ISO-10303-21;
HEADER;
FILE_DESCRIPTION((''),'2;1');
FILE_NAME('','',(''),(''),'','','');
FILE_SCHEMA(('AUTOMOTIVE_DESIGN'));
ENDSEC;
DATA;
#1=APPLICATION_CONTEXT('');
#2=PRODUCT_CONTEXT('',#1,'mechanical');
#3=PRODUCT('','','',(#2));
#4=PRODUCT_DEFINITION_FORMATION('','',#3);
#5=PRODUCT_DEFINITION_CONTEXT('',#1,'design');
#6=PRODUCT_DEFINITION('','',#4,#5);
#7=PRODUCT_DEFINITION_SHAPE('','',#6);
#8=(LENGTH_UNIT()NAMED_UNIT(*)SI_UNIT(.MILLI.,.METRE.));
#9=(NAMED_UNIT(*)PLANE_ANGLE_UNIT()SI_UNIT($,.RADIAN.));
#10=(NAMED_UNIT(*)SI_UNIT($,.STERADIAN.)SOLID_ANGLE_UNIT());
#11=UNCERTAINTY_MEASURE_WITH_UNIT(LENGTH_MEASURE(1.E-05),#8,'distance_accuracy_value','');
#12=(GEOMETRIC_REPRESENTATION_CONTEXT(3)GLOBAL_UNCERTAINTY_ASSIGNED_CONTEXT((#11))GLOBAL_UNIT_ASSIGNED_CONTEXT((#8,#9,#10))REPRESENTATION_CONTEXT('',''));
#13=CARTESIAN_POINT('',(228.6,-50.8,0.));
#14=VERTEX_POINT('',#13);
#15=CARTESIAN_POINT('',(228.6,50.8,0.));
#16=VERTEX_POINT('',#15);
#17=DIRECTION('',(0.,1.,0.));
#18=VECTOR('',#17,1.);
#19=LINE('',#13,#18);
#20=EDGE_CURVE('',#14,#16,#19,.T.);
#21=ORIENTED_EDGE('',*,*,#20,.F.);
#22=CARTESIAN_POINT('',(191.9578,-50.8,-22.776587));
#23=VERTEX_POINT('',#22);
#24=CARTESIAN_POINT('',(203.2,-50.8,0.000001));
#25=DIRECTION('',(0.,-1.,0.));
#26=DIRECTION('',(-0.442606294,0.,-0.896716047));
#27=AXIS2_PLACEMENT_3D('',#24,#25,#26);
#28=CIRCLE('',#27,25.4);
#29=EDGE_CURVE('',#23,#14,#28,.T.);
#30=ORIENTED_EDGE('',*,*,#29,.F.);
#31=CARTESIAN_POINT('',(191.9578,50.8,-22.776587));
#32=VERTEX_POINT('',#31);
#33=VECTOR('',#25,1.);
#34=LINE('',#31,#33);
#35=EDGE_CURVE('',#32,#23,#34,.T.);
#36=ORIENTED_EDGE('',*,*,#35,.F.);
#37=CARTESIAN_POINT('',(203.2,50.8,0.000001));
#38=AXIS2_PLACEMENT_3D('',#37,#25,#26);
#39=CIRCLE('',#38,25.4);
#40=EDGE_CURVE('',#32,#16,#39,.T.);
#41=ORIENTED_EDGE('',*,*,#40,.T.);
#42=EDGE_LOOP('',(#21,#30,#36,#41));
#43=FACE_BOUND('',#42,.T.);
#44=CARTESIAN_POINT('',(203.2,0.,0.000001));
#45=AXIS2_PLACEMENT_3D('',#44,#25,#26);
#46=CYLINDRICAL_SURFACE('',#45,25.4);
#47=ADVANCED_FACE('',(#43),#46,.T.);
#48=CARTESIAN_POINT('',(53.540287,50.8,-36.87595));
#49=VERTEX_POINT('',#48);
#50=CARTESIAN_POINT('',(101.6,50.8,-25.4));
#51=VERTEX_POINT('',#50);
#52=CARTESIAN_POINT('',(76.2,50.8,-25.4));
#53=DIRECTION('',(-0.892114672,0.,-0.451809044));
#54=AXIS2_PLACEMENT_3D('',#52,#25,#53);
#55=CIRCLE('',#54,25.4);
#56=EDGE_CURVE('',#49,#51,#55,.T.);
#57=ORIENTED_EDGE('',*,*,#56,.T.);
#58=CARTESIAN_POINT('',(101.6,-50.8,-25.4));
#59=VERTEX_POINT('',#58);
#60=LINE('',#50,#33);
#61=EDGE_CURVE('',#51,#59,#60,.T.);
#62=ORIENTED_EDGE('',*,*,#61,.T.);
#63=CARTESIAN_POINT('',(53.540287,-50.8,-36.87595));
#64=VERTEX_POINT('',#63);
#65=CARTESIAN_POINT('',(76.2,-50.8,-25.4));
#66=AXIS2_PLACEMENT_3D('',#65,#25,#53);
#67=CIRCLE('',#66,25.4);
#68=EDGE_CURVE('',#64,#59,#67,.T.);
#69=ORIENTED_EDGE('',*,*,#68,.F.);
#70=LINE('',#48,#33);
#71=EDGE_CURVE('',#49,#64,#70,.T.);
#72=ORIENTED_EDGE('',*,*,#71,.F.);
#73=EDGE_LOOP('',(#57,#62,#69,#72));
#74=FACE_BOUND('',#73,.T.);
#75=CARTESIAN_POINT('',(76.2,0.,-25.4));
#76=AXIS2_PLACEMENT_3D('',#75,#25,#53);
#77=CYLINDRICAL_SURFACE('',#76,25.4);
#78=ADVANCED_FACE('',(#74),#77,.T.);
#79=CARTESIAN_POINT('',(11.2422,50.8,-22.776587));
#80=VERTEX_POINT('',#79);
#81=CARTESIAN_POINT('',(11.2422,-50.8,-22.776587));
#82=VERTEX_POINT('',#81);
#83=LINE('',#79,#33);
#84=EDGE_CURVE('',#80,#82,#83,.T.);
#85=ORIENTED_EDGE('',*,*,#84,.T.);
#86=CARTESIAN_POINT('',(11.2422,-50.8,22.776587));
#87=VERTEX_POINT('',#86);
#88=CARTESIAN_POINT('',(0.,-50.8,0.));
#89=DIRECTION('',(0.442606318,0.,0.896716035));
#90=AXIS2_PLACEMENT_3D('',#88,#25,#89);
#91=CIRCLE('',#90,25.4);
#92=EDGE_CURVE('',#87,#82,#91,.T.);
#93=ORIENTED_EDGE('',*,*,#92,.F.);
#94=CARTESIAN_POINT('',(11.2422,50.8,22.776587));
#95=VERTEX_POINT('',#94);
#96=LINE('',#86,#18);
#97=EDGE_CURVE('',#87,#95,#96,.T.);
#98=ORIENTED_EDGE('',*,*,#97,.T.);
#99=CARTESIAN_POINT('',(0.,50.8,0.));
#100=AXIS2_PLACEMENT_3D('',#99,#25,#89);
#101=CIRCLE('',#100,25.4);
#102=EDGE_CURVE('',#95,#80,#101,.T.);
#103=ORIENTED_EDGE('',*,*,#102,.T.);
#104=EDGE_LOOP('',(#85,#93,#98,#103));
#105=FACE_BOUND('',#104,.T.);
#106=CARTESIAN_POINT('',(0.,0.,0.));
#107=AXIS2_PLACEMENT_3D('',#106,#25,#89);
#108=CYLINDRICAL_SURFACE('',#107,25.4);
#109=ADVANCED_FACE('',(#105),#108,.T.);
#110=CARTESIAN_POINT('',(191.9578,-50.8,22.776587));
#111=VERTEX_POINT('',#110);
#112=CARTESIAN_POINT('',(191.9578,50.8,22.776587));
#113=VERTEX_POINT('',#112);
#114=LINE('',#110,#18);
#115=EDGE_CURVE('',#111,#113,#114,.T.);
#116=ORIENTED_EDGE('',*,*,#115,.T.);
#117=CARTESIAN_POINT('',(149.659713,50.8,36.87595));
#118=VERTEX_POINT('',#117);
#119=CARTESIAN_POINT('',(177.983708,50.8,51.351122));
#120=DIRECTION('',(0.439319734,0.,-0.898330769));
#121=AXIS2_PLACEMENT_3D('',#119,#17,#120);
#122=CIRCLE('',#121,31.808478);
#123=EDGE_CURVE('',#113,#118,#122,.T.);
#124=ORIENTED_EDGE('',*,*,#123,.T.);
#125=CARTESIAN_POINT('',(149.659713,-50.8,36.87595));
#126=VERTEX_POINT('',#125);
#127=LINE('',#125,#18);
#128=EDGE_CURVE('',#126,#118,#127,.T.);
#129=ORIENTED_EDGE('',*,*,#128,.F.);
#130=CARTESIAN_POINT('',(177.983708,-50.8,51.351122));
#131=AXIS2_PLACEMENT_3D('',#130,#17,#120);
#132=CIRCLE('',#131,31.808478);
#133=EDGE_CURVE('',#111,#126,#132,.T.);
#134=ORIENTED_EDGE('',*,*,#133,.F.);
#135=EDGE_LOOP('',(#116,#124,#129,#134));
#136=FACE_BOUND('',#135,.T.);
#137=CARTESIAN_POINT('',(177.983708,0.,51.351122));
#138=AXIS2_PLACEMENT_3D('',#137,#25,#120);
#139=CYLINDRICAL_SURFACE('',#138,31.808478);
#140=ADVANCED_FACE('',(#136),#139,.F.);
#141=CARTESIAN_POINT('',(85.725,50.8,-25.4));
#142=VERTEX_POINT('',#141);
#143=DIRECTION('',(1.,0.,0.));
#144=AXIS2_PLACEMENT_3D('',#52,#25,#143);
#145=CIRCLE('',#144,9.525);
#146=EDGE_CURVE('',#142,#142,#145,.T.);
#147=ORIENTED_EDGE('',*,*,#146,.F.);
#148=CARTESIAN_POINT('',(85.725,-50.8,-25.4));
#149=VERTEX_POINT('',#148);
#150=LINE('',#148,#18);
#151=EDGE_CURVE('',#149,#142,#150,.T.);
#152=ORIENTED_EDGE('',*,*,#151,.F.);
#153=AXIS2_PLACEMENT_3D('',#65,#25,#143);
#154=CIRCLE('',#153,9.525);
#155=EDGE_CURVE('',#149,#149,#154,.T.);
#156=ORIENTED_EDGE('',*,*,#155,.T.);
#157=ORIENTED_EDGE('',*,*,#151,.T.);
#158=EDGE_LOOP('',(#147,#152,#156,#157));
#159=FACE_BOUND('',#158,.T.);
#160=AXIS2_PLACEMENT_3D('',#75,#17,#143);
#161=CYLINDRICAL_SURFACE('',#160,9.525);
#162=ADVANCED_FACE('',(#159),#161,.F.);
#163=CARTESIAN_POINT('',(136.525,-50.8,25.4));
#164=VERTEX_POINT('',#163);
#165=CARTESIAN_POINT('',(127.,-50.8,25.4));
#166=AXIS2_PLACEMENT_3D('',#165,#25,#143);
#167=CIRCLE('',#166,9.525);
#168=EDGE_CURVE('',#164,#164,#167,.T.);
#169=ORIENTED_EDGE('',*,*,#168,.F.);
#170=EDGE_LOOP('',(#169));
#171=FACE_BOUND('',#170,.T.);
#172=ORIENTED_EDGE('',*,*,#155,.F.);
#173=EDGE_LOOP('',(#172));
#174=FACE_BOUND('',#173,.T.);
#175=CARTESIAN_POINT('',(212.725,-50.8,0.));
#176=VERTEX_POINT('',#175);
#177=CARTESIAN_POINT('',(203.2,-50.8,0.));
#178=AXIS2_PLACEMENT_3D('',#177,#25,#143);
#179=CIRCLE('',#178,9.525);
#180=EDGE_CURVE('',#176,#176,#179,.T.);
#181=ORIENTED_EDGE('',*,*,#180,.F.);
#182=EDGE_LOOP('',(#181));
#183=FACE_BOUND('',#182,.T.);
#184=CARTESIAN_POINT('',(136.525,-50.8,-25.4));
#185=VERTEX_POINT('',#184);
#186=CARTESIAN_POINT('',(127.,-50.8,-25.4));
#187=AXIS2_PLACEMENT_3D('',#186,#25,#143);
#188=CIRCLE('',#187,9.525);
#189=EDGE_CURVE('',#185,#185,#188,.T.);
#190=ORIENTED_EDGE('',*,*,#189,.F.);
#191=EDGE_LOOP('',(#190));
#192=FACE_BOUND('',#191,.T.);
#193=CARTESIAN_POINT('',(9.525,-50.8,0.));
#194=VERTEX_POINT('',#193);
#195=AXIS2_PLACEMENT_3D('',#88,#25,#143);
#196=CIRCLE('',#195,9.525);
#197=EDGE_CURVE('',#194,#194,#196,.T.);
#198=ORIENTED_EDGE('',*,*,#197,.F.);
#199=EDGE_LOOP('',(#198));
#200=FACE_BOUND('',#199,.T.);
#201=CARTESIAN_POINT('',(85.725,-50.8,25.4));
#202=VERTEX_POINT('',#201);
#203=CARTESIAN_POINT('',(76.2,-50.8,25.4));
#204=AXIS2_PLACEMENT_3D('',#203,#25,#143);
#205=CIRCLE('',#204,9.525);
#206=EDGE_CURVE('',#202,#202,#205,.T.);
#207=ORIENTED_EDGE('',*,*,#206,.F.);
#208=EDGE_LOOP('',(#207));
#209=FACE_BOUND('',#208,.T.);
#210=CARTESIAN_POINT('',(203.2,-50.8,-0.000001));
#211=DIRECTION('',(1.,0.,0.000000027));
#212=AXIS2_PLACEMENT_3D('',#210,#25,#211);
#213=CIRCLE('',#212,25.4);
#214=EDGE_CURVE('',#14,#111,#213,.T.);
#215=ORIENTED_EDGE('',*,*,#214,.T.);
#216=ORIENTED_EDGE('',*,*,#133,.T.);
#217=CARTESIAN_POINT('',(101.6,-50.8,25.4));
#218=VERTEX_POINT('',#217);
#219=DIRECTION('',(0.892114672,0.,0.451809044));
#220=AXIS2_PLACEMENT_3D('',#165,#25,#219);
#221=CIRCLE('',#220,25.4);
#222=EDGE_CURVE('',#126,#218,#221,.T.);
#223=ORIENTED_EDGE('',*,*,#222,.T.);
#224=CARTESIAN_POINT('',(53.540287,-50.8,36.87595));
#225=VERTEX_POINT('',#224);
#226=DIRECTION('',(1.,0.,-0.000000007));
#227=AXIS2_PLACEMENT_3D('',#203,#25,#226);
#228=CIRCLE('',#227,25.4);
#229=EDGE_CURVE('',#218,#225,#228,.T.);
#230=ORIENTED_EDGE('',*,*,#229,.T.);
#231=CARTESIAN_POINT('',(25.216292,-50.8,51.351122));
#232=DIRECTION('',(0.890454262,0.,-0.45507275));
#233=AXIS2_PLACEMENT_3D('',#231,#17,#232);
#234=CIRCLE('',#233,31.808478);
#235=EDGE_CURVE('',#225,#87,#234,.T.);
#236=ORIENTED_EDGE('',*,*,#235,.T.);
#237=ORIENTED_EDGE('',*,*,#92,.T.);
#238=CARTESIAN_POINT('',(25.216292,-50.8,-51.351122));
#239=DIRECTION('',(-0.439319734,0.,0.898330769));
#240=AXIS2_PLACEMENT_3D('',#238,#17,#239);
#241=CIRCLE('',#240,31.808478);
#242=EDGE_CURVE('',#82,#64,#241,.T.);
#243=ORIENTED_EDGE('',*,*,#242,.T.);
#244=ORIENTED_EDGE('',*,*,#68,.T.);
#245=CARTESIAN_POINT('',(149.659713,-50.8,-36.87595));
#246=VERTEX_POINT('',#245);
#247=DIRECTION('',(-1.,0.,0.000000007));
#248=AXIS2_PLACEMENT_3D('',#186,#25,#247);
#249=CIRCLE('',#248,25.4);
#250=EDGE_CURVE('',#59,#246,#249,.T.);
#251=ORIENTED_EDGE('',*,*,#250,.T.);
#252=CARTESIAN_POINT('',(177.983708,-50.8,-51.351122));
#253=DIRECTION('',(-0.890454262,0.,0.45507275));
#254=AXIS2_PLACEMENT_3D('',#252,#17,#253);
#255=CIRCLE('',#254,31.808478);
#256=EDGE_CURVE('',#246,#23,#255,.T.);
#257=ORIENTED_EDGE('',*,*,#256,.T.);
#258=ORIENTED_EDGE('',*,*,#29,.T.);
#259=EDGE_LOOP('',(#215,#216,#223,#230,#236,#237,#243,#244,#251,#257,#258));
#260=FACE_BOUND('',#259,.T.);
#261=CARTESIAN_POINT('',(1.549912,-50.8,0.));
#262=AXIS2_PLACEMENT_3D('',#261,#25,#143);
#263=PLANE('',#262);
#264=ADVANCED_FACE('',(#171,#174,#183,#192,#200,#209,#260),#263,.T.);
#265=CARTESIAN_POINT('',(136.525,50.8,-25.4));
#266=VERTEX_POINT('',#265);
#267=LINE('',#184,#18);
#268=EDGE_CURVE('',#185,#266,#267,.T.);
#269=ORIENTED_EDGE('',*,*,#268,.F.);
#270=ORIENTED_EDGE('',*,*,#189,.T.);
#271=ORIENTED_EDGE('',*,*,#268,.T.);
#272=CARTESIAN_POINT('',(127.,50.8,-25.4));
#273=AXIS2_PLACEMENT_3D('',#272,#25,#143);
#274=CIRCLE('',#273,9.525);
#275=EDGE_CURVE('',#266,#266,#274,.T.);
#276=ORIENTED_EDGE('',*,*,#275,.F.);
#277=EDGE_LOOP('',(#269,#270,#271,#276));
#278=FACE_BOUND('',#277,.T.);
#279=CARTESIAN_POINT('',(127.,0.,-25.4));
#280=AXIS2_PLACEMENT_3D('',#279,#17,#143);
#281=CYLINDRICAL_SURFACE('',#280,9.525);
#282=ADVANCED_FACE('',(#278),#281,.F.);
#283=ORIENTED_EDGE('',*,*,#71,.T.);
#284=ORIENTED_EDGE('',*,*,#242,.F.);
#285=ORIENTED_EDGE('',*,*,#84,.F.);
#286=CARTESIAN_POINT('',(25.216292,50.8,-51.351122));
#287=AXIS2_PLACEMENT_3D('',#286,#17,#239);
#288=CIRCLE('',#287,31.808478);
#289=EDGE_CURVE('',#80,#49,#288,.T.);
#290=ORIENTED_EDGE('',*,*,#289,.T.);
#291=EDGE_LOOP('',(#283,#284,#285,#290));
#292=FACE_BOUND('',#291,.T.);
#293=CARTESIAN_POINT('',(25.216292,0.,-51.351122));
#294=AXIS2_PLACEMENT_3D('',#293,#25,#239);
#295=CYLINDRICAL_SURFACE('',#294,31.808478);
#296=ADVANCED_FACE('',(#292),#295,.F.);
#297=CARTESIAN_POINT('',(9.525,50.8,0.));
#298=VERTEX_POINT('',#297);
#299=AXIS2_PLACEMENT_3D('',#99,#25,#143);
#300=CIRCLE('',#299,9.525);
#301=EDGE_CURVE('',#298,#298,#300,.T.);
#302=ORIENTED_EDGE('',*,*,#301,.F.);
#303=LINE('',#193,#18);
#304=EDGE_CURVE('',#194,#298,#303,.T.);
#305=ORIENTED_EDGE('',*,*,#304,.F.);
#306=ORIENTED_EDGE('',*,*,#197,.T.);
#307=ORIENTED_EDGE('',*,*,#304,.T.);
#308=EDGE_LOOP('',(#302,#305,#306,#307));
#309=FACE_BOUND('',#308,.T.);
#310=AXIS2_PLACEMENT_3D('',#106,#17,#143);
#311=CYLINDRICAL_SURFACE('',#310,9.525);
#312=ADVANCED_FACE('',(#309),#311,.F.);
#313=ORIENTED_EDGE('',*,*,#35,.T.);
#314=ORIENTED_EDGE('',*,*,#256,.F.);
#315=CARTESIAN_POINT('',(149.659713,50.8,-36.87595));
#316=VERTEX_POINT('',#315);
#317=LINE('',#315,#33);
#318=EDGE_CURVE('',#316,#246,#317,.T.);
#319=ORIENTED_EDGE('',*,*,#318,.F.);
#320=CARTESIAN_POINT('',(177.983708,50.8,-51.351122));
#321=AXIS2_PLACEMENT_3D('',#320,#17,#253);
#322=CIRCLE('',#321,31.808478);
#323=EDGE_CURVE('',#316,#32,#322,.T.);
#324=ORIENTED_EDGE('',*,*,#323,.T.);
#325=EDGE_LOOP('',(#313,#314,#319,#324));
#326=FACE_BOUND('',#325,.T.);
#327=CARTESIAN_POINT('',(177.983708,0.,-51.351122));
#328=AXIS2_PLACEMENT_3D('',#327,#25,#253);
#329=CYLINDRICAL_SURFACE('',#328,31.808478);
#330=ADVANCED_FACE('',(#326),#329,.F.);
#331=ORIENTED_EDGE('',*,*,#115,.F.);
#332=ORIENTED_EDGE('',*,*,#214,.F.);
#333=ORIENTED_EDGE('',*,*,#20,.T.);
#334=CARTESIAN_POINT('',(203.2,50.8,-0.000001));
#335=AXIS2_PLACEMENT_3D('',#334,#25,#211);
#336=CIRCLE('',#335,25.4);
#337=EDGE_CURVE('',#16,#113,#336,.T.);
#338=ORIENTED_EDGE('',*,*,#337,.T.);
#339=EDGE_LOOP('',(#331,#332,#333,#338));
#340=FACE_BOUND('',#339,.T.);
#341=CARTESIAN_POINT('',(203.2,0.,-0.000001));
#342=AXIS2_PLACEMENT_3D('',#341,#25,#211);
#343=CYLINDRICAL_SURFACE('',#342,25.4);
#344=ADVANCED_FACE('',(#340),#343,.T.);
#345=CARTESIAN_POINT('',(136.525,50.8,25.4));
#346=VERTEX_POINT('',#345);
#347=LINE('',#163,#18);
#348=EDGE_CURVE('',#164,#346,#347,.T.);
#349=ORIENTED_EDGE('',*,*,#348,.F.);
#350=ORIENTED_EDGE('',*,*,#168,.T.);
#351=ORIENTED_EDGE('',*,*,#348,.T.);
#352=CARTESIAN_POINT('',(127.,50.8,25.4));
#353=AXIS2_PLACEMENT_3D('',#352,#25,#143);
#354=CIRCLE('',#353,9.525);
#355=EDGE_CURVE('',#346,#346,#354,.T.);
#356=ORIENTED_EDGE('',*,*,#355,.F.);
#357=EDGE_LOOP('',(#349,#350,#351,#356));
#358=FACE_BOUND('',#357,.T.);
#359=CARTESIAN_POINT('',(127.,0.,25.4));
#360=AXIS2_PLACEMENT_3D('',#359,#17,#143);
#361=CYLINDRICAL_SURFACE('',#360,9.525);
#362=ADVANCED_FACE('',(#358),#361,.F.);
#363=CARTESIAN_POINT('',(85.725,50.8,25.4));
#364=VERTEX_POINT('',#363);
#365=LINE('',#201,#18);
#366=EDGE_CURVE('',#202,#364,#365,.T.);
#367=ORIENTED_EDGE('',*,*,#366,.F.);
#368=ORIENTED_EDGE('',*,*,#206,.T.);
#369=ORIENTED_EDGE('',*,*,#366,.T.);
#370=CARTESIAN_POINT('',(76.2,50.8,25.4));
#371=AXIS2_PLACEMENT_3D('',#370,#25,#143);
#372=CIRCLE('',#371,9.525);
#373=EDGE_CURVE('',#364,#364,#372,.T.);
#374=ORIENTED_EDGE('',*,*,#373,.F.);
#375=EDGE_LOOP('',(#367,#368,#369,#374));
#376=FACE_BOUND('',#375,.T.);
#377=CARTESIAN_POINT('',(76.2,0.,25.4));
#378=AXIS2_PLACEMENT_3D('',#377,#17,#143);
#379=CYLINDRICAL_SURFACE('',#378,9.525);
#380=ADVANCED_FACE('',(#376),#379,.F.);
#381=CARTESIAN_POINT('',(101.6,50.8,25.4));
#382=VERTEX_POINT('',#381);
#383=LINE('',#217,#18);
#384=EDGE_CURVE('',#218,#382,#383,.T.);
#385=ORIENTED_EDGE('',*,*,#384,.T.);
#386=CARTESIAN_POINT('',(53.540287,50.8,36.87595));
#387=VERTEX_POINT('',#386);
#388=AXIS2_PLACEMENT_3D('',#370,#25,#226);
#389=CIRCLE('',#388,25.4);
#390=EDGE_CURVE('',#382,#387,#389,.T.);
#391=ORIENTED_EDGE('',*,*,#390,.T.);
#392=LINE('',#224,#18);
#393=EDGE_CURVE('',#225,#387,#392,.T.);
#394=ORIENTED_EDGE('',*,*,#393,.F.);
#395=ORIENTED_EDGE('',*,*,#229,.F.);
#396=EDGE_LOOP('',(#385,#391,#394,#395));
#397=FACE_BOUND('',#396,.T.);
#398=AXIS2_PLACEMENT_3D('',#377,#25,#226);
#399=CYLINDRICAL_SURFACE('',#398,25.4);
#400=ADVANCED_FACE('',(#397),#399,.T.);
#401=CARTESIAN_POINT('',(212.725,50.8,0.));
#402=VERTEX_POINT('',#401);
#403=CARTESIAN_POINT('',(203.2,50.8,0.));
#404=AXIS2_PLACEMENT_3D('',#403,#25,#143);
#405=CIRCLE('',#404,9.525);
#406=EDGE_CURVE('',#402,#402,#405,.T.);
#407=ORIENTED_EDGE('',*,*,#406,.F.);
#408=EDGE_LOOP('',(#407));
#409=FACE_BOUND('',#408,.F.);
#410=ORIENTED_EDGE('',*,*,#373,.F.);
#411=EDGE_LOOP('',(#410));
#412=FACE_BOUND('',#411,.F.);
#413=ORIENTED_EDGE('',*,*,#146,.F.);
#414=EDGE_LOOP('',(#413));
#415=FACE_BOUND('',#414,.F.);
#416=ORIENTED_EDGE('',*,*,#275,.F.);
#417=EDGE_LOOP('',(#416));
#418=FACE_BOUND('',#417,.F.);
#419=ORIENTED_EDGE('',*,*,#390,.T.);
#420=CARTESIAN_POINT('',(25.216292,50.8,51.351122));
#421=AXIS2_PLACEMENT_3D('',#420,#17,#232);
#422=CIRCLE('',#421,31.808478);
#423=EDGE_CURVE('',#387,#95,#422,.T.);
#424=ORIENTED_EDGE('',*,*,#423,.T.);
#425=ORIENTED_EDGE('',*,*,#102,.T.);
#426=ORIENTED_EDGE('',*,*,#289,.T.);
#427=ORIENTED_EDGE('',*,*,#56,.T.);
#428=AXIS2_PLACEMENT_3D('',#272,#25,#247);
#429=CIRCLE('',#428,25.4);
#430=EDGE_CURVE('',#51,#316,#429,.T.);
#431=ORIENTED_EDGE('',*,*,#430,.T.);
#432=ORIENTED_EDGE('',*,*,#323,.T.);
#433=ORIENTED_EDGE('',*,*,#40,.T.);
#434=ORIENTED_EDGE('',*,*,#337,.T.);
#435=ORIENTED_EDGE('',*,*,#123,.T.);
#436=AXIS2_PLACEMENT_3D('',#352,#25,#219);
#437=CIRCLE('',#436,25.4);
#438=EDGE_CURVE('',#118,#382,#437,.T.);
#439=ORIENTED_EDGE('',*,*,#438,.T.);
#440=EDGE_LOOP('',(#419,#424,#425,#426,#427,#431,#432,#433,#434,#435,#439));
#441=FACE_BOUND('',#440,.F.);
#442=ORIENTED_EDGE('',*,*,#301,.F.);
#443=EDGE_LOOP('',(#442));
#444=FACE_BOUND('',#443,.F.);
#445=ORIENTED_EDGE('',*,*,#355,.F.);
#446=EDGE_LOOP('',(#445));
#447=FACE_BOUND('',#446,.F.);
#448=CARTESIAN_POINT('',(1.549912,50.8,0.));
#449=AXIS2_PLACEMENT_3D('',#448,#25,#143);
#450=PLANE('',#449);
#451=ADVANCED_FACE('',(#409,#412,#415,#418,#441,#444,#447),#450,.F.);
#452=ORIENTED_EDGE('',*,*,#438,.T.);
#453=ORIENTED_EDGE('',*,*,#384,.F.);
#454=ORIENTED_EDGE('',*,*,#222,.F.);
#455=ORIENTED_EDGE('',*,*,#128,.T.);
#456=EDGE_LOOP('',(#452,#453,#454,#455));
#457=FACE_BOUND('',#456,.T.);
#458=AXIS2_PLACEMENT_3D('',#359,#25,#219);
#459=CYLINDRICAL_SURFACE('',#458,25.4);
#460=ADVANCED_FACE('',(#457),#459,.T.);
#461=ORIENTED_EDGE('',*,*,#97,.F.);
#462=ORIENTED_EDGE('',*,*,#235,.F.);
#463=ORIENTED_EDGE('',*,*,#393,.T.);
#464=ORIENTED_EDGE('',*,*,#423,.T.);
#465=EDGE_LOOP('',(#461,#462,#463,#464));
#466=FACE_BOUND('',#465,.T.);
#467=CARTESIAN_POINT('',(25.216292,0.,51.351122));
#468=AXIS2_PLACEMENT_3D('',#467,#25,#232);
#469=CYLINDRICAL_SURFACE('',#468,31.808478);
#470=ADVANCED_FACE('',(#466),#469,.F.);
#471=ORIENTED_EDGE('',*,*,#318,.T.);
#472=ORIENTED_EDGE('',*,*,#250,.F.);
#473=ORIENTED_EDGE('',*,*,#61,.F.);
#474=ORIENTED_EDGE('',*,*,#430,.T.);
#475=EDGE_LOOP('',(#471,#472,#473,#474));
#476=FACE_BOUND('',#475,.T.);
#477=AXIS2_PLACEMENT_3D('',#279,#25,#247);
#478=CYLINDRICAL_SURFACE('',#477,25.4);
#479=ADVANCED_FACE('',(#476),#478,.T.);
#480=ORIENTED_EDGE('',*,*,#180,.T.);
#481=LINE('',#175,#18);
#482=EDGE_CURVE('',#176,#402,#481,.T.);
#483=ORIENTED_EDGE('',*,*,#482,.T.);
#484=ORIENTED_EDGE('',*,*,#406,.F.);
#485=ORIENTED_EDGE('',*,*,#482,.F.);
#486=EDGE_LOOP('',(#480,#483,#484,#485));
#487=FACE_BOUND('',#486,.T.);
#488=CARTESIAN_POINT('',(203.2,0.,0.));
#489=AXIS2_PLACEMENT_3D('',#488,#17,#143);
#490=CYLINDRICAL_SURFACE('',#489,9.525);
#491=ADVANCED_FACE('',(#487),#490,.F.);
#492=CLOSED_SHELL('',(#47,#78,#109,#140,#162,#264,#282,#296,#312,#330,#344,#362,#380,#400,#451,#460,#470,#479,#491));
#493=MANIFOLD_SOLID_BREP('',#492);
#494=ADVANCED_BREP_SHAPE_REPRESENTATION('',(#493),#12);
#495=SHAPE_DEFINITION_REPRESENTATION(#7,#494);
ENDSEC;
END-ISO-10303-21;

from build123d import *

# Parameters (mm, degrees)
F0_R     = 9.525
F1_DEPTH = 50.8


with BuildPart() as f1:
    # F0 (on Front) → F1 (new body, symmetric)
    with BuildSketch(Plane.XZ):
        with BuildLine():
            ThreePointArc((11.2422, -22.776587), (21.57211, -13.409103), (25.4, 0))
            ThreePointArc((25.4, 0), (21.57211, 13.409103), (11.2422, 22.776587))
            ThreePointArc((11.2422, 22.776587), (-25.4, 0), (11.2422, -22.776587))
        make_face()
        Circle(F0_R, mode=Mode.SUBTRACT)
        with BuildLine():
            ThreePointArc((11.2422, 22.776587), (21.57211, 13.409103), (25.4, 0))
            ThreePointArc((25.4, 0), (21.57211, -13.409103), (11.2422, -22.776587))
            ThreePointArc((11.2422, -22.776587), (35.275017, -21.17495), (53.540287, -36.87595))
            ThreePointArc((53.540287, -36.87595), (82.099292, -50.105432), (101.6, -25.4))
            ThreePointArc((101.6, -25.4), (121.100708, -50.105432), (149.659713, -36.87595))
            ThreePointArc((149.659713, -36.87595), (167.924983, -21.17495), (191.9578, -22.776587))
            ThreePointArc((191.9578, -22.776587), (177.8, 0), (191.9578, 22.776587))
            ThreePointArc((191.9578, 22.776587), (167.924983, 21.17495), (149.659713, 36.87595))
            ThreePointArc((149.659713, 36.87595), (121.100708, 50.105432), (101.6, 25.4))
            ThreePointArc((101.6, 25.4), (82.099292, 50.105432), (53.540287, 36.87595))
            ThreePointArc((53.540287, 36.87595), (35.275017, 21.17495), (11.2422, 22.776587))
        make_face()
        with Locations((76.2, -25.4)):
            Circle(F0_R, mode=Mode.SUBTRACT)
        with Locations((127, -25.4)):
            Circle(F0_R, mode=Mode.SUBTRACT)
        with Locations((76.2, 25.4)):
            Circle(F0_R, mode=Mode.SUBTRACT)
        with Locations((127, 25.4)):
            Circle(F0_R, mode=Mode.SUBTRACT)
        with BuildLine():
            ThreePointArc((228.6, 0), (216.609103, 21.57211), (191.9578, 22.776587))
            ThreePointArc((191.9578, 22.776587), (177.8, 0), (191.9578, -22.776587))
            ThreePointArc((191.9578, -22.776587), (216.609103, -21.57211), (228.6, 0))
        make_face()
        with Locations((203.2, 0)):
            Circle(F0_R, mode=Mode.SUBTRACT)
    extrude(amount=F1_DEPTH, both=True)


solid = f1.part
